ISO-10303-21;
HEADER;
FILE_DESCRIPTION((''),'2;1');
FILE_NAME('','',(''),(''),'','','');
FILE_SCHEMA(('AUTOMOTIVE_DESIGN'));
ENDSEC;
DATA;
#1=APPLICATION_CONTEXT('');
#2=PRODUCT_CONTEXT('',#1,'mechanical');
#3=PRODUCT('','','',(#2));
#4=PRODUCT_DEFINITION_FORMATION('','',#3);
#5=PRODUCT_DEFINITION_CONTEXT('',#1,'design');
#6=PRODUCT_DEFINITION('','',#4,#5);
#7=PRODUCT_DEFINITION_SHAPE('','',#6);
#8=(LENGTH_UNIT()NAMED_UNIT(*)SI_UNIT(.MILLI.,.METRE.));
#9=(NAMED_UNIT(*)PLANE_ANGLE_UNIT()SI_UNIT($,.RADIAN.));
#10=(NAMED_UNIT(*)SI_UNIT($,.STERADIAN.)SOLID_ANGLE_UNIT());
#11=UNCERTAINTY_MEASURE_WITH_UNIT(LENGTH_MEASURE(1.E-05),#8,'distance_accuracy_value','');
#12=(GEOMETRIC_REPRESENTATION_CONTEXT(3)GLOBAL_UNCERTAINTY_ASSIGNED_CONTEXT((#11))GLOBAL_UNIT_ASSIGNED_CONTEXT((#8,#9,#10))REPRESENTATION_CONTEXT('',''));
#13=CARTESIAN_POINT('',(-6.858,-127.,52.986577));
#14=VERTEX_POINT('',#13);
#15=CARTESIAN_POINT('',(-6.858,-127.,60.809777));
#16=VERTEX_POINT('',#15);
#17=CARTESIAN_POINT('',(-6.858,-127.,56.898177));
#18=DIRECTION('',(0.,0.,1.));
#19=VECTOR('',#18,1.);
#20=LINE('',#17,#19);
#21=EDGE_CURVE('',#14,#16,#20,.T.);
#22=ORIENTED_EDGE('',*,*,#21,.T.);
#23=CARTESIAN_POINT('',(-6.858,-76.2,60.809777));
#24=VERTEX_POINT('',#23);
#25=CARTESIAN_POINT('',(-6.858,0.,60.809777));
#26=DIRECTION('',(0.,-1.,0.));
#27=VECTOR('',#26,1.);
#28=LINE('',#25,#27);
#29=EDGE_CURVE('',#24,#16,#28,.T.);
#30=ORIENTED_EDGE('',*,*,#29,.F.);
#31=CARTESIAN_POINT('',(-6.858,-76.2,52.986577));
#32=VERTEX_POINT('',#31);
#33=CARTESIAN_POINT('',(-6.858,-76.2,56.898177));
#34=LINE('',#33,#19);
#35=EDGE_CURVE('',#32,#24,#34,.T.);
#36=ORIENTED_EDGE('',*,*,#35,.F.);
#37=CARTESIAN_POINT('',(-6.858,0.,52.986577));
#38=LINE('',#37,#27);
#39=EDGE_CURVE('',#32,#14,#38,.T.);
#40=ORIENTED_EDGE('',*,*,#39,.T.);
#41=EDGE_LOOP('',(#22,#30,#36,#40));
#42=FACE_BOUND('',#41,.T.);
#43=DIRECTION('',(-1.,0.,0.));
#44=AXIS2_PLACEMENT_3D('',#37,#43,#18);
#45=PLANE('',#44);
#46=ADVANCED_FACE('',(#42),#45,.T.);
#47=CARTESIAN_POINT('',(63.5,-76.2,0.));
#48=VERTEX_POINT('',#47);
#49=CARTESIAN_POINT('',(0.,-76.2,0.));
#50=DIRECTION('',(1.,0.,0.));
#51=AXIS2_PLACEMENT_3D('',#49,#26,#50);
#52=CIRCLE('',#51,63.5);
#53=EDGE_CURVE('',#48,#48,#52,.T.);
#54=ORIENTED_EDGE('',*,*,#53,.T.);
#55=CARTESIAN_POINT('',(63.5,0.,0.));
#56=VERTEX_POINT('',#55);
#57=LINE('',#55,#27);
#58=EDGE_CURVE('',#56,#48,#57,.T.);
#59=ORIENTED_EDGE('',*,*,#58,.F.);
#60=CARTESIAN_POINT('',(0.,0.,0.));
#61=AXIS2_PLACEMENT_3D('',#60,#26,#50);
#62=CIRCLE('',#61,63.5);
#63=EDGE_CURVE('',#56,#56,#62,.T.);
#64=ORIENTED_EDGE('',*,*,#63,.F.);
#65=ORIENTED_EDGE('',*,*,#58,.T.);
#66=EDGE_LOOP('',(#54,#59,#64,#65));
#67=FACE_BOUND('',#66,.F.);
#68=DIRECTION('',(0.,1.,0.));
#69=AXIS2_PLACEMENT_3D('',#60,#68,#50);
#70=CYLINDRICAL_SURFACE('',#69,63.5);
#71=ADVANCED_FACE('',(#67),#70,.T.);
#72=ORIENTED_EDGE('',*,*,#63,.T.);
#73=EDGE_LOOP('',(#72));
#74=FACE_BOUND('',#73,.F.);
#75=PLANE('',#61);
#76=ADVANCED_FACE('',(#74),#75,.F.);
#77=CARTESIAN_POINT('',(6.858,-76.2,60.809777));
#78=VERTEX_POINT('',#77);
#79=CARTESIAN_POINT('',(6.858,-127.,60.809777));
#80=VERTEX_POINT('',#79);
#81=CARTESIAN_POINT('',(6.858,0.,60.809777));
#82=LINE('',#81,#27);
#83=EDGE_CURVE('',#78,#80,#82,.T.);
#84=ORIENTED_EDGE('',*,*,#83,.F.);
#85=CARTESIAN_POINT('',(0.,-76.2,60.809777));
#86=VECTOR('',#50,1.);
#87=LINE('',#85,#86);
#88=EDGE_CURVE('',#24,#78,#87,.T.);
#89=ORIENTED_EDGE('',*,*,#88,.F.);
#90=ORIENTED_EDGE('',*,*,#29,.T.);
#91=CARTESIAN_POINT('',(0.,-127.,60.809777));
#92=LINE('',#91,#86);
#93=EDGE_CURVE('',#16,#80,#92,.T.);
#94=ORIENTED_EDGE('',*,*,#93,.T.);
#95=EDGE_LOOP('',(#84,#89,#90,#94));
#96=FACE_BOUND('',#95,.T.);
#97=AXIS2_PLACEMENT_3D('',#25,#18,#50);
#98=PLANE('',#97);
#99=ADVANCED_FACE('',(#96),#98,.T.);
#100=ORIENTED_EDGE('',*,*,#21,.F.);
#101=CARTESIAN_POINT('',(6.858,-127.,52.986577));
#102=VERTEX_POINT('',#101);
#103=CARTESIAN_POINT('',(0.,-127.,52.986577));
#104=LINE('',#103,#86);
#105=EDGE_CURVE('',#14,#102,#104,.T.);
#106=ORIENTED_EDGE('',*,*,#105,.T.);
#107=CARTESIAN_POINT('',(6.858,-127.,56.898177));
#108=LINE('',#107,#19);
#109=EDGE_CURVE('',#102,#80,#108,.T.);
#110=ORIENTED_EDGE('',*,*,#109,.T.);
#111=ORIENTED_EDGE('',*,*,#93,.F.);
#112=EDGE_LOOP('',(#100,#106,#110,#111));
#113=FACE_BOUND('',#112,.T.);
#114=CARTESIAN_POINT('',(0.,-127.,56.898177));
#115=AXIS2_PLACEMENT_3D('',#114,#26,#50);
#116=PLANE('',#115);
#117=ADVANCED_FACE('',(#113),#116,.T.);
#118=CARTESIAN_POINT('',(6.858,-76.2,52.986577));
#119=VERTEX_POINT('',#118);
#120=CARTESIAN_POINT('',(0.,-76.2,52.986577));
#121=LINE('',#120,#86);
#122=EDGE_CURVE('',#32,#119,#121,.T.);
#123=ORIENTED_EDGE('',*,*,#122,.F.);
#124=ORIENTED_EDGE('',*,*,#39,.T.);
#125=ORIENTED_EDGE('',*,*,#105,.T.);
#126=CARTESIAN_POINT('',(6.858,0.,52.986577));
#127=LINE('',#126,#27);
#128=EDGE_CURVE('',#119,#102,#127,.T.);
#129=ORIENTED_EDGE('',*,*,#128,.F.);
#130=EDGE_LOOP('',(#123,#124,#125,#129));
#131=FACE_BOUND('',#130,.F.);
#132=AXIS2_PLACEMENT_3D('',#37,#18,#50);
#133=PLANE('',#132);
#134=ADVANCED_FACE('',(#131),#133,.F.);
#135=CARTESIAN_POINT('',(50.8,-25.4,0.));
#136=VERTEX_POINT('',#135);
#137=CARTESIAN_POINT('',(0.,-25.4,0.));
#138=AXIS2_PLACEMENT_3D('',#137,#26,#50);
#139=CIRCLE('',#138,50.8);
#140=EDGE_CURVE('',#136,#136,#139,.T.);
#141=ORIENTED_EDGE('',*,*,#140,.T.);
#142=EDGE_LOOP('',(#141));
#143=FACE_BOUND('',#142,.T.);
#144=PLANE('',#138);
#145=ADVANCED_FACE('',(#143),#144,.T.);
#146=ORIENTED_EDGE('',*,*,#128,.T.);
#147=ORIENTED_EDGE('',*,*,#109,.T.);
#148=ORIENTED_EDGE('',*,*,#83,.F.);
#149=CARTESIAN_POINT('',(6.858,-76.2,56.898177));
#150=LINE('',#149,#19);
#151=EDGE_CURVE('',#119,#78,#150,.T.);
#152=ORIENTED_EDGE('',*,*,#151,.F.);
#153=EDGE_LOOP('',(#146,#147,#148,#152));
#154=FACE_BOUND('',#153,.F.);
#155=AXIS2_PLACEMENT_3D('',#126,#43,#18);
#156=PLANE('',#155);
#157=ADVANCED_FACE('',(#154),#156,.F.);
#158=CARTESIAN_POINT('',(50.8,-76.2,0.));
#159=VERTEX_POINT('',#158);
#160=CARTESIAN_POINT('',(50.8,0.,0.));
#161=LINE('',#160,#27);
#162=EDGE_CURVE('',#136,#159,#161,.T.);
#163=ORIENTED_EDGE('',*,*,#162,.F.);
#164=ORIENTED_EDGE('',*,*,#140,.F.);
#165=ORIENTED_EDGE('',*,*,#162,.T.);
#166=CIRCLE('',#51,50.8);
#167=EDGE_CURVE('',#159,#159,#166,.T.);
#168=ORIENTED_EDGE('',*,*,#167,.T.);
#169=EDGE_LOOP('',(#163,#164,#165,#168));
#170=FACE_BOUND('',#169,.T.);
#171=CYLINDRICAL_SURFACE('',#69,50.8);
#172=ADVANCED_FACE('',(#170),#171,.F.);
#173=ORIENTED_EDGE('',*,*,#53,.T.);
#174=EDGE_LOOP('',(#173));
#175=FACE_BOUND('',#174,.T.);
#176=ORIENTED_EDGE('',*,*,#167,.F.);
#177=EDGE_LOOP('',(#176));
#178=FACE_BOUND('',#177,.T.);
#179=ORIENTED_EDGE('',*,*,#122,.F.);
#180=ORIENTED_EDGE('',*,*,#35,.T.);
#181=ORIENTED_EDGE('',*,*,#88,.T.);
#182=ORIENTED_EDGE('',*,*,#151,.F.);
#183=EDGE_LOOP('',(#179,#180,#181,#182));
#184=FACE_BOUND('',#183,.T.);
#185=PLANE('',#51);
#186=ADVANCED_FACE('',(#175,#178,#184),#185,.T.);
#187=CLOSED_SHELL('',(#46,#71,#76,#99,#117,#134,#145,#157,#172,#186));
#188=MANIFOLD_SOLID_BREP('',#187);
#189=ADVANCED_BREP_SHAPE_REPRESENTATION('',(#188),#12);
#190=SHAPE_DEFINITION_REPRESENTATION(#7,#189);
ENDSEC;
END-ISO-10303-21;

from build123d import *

# Parameters (mm, degrees)
F0_R     = 63.5
F0_R_2   = 50.8
F0_W     = 13.716
F0_H     = 7.8232
F1_DEPTH = 76.2
F2_DEPTH = 25.4
F3_DEPTH = 127


with BuildPart() as f1:
    # F0 (on Front) → F1 (new body)
    with BuildSketch(Plane.XZ):
        Circle(F0_R)
        Circle(F0_R_2, mode=Mode.SUBTRACT)
        with Locations((0, 56.898177)):
            Rectangle(F0_W, F0_H, mode=Mode.SUBTRACT)
    extrude(amount=F1_DEPTH)

    # F0 (on Front) → F2 (join)
    with BuildSketch(Plane.XZ):
        Circle(F0_R_2)
    extrude(amount=F2_DEPTH)

    # F0 (on Front) → F3 (join)
    with BuildSketch(Plane.XZ):
        with Locations((0, 56.898177)):
            Rectangle(F0_W, F0_H)
    extrude(amount=F3_DEPTH)


solid = f1.part
